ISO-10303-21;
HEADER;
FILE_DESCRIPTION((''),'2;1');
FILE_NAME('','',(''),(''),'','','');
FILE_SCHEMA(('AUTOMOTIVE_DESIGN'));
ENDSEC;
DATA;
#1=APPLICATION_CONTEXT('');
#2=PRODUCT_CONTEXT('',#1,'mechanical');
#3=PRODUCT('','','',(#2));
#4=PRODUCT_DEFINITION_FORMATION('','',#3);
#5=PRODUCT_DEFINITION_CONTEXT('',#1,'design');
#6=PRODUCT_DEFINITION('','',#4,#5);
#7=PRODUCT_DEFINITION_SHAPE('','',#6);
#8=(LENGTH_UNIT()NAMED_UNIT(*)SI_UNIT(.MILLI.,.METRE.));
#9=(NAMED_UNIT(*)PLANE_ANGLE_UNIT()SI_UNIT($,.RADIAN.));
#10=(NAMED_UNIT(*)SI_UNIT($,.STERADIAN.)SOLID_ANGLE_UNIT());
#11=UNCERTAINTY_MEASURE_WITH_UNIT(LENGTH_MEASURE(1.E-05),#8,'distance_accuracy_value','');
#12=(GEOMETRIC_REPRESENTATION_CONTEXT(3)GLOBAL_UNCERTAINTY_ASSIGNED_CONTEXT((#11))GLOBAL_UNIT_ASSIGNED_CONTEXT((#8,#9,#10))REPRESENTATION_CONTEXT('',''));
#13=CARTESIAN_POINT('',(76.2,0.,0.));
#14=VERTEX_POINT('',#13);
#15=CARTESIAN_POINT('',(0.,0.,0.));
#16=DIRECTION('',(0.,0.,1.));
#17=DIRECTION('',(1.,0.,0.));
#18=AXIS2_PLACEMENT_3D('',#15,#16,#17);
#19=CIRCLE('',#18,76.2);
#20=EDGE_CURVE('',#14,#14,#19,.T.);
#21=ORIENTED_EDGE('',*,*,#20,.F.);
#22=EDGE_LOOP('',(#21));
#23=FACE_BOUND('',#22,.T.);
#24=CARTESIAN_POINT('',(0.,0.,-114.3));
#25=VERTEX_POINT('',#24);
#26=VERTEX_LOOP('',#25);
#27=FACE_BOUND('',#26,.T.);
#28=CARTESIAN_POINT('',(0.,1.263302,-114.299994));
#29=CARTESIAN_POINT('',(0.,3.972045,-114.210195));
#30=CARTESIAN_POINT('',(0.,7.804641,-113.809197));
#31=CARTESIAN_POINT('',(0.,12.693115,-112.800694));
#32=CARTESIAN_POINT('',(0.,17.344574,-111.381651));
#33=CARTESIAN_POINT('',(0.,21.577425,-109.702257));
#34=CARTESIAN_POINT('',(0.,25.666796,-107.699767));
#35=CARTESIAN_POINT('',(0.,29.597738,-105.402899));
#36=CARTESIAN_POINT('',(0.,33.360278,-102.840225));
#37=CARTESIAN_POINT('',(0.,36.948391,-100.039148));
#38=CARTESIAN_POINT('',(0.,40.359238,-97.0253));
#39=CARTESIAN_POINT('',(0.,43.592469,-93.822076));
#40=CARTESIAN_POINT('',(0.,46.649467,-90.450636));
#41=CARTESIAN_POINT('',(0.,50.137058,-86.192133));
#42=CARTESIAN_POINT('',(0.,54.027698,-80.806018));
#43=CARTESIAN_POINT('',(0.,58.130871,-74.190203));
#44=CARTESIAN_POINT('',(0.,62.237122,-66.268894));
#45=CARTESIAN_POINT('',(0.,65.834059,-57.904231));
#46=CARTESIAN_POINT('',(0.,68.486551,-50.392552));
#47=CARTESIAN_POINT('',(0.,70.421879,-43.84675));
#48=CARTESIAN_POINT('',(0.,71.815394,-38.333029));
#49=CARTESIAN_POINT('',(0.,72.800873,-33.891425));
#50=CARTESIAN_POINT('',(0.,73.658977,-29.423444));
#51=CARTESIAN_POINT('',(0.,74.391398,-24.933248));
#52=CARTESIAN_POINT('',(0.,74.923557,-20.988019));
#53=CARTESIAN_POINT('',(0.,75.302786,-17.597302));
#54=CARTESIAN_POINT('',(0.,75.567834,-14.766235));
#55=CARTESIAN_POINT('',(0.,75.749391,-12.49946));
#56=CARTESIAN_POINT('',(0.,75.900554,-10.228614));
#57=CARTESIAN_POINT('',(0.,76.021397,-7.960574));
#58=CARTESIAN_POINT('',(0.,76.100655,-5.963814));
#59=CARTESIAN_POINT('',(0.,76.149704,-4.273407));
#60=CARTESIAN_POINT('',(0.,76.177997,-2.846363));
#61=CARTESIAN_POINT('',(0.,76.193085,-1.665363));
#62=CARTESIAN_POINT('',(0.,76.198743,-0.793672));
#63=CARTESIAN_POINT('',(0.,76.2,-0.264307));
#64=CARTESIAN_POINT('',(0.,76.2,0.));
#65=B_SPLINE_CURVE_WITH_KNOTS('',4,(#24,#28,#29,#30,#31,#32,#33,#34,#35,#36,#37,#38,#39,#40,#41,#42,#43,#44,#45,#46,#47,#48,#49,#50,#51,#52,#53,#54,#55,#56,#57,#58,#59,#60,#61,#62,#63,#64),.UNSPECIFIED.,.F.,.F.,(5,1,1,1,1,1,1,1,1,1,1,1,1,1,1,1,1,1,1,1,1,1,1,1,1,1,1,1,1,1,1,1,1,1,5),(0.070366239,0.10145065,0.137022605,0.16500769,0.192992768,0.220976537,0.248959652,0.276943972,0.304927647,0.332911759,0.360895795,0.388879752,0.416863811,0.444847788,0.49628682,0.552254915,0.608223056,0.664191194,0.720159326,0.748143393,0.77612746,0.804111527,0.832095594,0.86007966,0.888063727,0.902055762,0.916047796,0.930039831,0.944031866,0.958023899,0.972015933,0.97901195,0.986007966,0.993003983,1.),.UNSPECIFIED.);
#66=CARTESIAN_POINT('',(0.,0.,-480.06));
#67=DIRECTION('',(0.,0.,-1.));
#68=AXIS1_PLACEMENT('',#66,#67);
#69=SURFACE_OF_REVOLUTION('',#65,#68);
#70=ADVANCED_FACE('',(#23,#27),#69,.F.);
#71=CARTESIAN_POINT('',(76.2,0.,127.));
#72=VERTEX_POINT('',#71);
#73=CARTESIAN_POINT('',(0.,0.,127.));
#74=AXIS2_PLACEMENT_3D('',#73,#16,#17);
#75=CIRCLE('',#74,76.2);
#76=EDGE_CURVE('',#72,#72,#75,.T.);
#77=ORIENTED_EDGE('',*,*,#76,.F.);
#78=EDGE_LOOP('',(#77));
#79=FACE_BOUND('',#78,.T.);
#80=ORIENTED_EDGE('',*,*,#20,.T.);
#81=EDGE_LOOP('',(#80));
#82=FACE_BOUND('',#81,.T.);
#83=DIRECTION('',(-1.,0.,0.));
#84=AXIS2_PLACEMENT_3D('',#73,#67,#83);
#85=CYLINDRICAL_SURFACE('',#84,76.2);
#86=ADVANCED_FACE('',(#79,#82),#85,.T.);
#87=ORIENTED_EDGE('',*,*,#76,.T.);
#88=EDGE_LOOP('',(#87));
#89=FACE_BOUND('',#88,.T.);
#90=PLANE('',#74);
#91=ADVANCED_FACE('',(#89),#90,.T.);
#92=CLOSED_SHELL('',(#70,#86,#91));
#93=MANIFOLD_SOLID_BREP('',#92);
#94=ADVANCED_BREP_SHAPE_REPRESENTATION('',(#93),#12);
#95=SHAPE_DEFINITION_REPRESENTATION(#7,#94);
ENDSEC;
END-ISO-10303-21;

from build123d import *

# Parameters (mm, degrees)
SKETCH2_R           = 76.2
BOSS_EXTRUDE1_DEPTH = 127


with BuildPart() as part:
    # Sketch1 → Revolve1 (revolve)
    with BuildSketch(Plane(origin=(0, 0, 0), x_dir=(0, 0, -1), z_dir=(1, 0, 0))):
        with BuildLine():
            Line((0, 76.2), (0, 0))
            Line((0, 0), (114.3, 0))
            add(Edge.make_bspline(
                [(0, 76.2), (0.264306544, 76.2), (0.793671564, 76.198742744), (1.665362569, 76.193085097), (2.846363042, 76.177997126), (4.273406908, 76.149704328), (5.963814226, 76.100654953), (7.96057394, 76.021396761), (10.228614301, 75.900554127), (12.49946031, 75.749391059), (14.76623457, 75.567834167), (17.597302169, 75.302785515), (20.988019265, 74.923556588), (24.93324811, 74.391398458), (29.423444168, 73.658976501), (33.891424636, 72.800873309), (38.333028517, 71.815393587), (43.846750219, 70.421878606), (50.392551994, 68.486550655), (57.904231208, 65.834058821), (66.268893732, 62.237121603), (74.19020305, 58.130870572), (80.806018035, 54.027697556), (86.192132846, 50.137057922), (90.450635874, 46.649466871), (93.822075919, 43.592468939), (97.025300347, 40.359237584), (100.039148354, 36.948391332), (102.840224578, 33.360277693), (105.402899199, 29.597738142), (107.699766519, 25.666795898), (109.702256705, 21.57742523), (111.381650727, 17.344573823), (112.800694333, 12.693115176), (113.809196713, 7.804640574), (114.210195468, 3.972044716), (114.299994138, 1.263302191), (114.3, 0)],
                knots=[0.070366239, 0.070366239, 0.070366239, 0.070366239, 0.070366239, 0.077362256, 0.084358273, 0.09135429, 0.098350306, 0.11234234, 0.126334374, 0.140326408, 0.154318443, 0.168310478, 0.182302512, 0.210286579, 0.238270646, 0.266254712, 0.294238779, 0.322222846, 0.350206914, 0.406175046, 0.462143183, 0.518111324, 0.57407942, 0.625518451, 0.653502428, 0.681486487, 0.709470444, 0.73745448, 0.765438592, 0.793422267, 0.821406587, 0.849389702, 0.877373471, 0.905358549, 0.933343634, 0.968915589, 1, 1, 1, 1, 1], degree=4))
        make_face()
    revolve(axis=Axis((0, 0, -480.06), (0, 0, 1)))

    # Sketch2 → Boss-Extrude1 (add)
    with BuildSketch(Plane.XY):
        Circle(SKETCH2_R)
    extrude(amount=BOSS_EXTRUDE1_DEPTH)


solid = part.part
